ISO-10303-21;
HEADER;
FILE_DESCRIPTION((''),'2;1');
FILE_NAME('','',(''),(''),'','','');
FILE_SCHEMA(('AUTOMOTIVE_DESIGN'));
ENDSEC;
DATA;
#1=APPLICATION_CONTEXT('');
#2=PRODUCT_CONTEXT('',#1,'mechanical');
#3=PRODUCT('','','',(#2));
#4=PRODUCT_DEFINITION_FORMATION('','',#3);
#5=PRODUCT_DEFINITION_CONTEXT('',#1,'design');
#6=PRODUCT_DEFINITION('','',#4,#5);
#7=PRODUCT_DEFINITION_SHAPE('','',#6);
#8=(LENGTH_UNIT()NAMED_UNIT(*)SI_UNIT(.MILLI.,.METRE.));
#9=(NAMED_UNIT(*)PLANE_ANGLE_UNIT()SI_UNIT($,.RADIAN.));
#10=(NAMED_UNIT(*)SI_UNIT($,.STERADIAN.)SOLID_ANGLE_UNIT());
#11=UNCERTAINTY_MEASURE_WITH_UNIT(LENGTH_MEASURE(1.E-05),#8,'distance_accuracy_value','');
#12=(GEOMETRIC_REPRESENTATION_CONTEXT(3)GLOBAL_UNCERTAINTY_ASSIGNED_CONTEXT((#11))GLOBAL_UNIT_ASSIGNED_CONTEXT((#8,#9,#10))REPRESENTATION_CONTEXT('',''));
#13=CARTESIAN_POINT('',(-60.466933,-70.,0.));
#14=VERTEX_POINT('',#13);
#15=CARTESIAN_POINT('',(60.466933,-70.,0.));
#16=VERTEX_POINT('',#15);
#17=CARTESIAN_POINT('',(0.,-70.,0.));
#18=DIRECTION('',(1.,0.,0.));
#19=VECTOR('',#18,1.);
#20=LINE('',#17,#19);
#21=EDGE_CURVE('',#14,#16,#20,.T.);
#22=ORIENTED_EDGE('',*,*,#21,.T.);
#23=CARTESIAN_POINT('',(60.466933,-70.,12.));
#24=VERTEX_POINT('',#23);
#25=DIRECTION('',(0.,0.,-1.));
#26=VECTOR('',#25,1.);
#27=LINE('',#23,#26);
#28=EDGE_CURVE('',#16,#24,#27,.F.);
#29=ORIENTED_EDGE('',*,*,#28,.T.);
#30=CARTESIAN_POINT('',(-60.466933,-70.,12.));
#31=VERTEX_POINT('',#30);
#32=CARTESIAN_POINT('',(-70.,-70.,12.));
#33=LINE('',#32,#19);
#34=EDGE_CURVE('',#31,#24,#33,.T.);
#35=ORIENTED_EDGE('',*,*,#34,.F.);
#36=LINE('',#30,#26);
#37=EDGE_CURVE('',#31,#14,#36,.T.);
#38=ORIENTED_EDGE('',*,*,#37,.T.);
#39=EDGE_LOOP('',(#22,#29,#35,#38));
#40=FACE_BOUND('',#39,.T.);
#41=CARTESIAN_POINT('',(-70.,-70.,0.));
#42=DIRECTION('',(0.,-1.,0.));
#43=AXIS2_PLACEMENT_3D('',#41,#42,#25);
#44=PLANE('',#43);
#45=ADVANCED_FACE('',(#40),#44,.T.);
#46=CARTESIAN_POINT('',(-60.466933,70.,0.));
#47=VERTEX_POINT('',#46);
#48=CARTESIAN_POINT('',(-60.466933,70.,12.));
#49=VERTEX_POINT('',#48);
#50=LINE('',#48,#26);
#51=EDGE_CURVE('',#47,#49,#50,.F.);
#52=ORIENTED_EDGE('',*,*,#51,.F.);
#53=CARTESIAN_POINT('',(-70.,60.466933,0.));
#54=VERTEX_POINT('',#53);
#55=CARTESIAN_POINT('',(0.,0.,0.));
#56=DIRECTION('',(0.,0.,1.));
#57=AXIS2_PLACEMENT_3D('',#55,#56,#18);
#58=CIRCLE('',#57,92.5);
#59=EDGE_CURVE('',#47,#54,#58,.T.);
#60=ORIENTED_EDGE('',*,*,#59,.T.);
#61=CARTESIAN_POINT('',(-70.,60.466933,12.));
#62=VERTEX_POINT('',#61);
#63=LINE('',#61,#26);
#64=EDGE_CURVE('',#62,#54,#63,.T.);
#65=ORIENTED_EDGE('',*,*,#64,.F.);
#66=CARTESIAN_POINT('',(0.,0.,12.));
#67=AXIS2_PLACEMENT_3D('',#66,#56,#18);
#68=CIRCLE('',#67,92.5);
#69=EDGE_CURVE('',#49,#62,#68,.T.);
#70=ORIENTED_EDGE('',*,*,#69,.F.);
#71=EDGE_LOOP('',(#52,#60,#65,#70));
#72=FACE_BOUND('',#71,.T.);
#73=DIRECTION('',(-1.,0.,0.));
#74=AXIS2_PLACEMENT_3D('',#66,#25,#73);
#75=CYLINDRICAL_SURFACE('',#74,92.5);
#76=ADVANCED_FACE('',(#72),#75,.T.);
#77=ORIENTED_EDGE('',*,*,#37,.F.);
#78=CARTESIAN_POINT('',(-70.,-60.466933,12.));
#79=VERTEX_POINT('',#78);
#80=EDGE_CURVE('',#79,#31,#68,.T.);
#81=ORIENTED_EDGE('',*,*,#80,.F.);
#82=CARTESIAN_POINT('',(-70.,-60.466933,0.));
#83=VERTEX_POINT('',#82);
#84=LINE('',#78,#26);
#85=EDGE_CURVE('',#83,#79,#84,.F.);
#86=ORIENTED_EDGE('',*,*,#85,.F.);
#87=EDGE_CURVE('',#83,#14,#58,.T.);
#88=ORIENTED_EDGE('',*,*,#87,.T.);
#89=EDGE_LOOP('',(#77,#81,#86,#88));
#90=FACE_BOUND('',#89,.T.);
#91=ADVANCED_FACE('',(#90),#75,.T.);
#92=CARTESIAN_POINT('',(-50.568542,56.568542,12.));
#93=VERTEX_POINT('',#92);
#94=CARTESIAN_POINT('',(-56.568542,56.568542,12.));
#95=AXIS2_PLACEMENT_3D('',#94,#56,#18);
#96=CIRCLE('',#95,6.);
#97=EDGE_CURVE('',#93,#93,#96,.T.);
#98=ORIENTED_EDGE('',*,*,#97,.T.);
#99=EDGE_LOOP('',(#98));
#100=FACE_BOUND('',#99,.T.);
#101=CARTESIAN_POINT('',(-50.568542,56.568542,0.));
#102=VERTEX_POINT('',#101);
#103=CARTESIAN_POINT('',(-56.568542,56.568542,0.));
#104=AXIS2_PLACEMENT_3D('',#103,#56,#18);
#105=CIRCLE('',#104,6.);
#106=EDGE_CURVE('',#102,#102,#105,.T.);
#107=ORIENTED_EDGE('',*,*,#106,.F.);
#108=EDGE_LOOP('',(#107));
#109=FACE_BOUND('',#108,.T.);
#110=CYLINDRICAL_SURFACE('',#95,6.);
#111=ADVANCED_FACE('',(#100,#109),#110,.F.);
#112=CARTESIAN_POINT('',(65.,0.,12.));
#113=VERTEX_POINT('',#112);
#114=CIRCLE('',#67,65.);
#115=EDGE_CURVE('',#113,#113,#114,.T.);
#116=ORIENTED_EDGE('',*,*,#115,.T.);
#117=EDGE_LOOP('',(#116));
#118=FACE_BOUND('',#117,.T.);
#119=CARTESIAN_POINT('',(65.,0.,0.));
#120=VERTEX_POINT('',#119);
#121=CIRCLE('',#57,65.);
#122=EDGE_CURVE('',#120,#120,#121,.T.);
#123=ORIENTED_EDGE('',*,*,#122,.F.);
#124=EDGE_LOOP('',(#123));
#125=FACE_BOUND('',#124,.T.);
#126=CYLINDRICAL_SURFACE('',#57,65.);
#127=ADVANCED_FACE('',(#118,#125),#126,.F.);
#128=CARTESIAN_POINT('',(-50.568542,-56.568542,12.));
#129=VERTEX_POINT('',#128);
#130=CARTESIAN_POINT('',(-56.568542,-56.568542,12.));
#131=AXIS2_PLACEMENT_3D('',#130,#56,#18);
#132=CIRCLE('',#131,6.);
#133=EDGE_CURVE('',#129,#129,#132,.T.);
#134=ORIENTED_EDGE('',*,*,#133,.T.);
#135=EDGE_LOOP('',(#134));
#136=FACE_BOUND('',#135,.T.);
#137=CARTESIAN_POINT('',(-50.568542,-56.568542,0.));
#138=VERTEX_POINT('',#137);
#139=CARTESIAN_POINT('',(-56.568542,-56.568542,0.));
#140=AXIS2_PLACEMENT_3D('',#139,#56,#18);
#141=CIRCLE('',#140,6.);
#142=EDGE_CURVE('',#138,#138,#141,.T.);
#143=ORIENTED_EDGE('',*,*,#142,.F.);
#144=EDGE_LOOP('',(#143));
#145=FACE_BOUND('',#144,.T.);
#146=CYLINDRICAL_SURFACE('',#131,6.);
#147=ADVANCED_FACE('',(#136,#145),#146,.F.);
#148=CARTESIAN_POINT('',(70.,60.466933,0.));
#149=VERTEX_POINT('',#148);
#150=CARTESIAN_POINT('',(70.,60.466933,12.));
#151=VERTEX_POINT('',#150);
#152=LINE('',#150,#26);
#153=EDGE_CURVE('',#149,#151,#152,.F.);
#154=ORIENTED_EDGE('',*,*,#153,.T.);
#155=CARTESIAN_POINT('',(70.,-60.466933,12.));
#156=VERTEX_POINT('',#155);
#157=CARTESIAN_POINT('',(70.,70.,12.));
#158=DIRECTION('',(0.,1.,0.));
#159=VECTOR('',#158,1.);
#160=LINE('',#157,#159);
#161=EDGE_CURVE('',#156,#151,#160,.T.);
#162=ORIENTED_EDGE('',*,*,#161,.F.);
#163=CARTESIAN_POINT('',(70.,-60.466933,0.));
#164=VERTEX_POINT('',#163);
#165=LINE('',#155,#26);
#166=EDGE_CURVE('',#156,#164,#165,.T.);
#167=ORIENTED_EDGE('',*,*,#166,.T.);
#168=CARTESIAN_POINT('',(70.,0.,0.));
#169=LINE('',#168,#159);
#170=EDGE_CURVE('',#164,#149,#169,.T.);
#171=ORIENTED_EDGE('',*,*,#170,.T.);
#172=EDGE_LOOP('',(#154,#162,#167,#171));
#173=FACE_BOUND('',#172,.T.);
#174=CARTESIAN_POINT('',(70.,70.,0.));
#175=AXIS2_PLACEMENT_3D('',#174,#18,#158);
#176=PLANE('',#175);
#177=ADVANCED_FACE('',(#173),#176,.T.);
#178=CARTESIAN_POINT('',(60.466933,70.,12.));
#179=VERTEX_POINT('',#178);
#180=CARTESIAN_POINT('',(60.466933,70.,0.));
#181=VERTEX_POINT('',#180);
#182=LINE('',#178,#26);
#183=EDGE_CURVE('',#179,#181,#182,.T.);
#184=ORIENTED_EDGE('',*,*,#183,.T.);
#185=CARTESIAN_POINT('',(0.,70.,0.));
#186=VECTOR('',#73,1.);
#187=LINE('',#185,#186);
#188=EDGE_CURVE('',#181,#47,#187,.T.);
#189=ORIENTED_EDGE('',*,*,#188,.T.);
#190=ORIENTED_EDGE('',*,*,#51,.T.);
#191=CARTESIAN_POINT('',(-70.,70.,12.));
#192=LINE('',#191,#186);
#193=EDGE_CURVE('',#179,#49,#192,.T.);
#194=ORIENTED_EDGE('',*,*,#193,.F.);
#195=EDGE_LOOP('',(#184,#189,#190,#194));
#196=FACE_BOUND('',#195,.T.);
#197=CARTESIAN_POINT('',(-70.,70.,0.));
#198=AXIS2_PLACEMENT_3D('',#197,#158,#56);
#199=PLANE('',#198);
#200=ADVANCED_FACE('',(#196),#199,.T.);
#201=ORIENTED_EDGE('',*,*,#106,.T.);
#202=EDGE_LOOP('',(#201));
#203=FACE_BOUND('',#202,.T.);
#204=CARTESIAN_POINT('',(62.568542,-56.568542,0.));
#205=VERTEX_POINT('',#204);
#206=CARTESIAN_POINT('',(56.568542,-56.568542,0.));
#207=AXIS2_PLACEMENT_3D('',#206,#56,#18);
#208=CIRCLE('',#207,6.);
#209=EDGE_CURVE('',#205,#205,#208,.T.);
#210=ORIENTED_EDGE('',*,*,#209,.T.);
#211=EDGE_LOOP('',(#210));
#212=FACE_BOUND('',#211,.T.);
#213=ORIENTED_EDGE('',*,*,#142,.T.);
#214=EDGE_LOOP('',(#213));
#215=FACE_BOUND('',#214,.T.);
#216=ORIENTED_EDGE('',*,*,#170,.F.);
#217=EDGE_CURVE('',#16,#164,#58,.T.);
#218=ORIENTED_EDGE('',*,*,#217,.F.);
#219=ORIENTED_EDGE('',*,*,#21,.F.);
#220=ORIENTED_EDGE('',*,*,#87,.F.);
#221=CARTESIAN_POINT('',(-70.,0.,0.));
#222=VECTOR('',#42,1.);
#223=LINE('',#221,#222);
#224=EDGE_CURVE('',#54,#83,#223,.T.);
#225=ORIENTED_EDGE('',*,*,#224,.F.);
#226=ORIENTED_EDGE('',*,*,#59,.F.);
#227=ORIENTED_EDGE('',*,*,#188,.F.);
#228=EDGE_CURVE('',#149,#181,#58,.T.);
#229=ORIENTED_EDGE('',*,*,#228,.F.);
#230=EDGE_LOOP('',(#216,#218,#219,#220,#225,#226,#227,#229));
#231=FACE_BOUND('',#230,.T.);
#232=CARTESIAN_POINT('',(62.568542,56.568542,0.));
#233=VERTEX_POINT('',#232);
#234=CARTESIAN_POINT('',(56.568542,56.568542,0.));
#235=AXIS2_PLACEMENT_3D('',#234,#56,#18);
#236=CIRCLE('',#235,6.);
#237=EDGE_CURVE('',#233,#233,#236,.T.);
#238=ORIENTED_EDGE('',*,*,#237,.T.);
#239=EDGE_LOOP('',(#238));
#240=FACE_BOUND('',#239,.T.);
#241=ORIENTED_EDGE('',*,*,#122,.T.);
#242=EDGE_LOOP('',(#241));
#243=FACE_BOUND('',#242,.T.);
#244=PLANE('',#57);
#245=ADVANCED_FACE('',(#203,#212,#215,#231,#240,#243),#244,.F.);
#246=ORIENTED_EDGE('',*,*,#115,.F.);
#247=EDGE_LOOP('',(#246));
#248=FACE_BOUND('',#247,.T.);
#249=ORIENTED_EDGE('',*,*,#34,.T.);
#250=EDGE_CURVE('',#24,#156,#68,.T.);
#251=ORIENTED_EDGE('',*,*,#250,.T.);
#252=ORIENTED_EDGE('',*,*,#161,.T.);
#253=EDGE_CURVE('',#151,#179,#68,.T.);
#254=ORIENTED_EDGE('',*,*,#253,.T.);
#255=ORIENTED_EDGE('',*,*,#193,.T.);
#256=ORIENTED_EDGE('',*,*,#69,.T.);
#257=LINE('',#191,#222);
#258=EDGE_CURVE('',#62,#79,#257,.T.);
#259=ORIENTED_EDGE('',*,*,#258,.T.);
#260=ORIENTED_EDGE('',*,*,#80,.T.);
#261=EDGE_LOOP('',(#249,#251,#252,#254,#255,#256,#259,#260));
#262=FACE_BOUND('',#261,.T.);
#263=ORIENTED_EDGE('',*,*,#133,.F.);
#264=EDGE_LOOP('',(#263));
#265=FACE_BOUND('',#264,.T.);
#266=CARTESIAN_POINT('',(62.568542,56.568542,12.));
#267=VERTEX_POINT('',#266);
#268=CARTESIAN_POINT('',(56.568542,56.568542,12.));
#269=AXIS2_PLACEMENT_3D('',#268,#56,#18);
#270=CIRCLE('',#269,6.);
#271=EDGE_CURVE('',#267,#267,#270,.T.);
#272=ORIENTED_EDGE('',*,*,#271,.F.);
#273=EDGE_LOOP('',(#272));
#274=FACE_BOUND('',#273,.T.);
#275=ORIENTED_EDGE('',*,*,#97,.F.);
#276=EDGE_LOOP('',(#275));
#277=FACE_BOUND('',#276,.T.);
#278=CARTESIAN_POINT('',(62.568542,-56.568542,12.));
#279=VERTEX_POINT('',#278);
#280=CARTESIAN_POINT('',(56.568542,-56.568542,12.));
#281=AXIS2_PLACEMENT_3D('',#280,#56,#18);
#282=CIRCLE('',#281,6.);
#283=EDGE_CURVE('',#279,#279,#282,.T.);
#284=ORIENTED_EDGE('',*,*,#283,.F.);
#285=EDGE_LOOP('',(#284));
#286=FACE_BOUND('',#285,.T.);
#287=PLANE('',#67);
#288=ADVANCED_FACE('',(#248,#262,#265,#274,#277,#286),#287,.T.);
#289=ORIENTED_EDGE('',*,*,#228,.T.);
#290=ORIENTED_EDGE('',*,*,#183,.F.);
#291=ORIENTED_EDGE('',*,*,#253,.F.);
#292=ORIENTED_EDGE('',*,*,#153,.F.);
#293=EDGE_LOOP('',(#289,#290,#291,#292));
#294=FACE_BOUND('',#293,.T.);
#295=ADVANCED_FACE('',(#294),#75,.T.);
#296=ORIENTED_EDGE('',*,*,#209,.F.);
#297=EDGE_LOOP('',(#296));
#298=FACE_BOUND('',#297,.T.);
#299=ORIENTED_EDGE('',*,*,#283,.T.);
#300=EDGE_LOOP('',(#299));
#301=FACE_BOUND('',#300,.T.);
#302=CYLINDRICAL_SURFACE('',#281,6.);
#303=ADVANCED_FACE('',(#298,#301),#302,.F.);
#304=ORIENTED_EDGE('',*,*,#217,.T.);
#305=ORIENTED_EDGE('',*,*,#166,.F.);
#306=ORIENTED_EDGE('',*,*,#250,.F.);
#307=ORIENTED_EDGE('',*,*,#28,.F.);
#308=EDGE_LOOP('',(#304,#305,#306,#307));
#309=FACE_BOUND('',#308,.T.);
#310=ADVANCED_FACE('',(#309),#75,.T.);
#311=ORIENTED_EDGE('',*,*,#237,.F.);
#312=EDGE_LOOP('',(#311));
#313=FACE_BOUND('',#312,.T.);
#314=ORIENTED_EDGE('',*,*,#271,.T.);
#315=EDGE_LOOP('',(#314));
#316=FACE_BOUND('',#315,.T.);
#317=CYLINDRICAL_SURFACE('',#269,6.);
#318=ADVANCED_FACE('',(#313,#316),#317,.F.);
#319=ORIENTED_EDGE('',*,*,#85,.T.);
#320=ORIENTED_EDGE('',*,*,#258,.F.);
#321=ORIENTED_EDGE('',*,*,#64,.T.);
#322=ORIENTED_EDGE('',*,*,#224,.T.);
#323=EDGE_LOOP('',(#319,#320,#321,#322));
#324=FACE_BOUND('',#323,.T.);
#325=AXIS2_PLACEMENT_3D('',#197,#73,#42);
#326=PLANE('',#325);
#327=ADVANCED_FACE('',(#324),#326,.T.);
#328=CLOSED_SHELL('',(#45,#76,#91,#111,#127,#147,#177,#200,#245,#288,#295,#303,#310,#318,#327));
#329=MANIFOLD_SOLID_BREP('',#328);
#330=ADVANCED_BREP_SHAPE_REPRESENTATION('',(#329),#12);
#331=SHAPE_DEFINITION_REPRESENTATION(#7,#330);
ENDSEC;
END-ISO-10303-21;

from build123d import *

# Parameters (mm, degrees)
SKETCH1_R                  = 92.5
BOSS_EXTRUDE1_DEPTH        = 12
SKETCH2_OUTSIDE_W          = 239.38
SKETCH2_OUTSIDE_H          = 239.38
SKETCH2_OUTSIDE_W_2        = 140
SKETCH2_OUTSIDE_H_2        = 140
CUT_EXTRUDE1_DEPTH         = 132.363998112
SKETCH3_R                  = 65
CUT_EXTRUDE2_DEPTH         = 100.719606899
F_12_0_12_DIAMETER_HOLE1_D = 12


with BuildPart() as part:
    # Sketch1 → Boss-Extrude1 (new body)
    with BuildSketch(Plane.XY):
        Circle(SKETCH1_R)
    extrude(amount=BOSS_EXTRUDE1_DEPTH)

    # Sketch2 outside → Cut-Extrude1 (cut, through all)
    with BuildSketch(Plane.XY.offset(12)):
        Rectangle(SKETCH2_OUTSIDE_W, SKETCH2_OUTSIDE_H)
        Rectangle(SKETCH2_OUTSIDE_W_2, SKETCH2_OUTSIDE_H_2, mode=Mode.SUBTRACT)
    extrude(amount=-CUT_EXTRUDE1_DEPTH, mode=Mode.SUBTRACT)

    # Sketch3 → Cut-Extrude2 (cut, through all)
    with BuildSketch(Plane.XY.offset(12)):
        Circle(SKETCH3_R)
    extrude(amount=-CUT_EXTRUDE2_DEPTH, mode=Mode.SUBTRACT)

    # Ø12.0 (12) Diameter Hole1 (through all)
    with Locations(Plane.XY.offset(12)):
        with Locations((56.568542495, 56.568542495), (-56.568542495, 56.568542495), (-56.568542495, -56.568542495), (56.568542495, -56.568542495)):
            Hole(F_12_0_12_DIAMETER_HOLE1_D / 2)


solid = part.part
